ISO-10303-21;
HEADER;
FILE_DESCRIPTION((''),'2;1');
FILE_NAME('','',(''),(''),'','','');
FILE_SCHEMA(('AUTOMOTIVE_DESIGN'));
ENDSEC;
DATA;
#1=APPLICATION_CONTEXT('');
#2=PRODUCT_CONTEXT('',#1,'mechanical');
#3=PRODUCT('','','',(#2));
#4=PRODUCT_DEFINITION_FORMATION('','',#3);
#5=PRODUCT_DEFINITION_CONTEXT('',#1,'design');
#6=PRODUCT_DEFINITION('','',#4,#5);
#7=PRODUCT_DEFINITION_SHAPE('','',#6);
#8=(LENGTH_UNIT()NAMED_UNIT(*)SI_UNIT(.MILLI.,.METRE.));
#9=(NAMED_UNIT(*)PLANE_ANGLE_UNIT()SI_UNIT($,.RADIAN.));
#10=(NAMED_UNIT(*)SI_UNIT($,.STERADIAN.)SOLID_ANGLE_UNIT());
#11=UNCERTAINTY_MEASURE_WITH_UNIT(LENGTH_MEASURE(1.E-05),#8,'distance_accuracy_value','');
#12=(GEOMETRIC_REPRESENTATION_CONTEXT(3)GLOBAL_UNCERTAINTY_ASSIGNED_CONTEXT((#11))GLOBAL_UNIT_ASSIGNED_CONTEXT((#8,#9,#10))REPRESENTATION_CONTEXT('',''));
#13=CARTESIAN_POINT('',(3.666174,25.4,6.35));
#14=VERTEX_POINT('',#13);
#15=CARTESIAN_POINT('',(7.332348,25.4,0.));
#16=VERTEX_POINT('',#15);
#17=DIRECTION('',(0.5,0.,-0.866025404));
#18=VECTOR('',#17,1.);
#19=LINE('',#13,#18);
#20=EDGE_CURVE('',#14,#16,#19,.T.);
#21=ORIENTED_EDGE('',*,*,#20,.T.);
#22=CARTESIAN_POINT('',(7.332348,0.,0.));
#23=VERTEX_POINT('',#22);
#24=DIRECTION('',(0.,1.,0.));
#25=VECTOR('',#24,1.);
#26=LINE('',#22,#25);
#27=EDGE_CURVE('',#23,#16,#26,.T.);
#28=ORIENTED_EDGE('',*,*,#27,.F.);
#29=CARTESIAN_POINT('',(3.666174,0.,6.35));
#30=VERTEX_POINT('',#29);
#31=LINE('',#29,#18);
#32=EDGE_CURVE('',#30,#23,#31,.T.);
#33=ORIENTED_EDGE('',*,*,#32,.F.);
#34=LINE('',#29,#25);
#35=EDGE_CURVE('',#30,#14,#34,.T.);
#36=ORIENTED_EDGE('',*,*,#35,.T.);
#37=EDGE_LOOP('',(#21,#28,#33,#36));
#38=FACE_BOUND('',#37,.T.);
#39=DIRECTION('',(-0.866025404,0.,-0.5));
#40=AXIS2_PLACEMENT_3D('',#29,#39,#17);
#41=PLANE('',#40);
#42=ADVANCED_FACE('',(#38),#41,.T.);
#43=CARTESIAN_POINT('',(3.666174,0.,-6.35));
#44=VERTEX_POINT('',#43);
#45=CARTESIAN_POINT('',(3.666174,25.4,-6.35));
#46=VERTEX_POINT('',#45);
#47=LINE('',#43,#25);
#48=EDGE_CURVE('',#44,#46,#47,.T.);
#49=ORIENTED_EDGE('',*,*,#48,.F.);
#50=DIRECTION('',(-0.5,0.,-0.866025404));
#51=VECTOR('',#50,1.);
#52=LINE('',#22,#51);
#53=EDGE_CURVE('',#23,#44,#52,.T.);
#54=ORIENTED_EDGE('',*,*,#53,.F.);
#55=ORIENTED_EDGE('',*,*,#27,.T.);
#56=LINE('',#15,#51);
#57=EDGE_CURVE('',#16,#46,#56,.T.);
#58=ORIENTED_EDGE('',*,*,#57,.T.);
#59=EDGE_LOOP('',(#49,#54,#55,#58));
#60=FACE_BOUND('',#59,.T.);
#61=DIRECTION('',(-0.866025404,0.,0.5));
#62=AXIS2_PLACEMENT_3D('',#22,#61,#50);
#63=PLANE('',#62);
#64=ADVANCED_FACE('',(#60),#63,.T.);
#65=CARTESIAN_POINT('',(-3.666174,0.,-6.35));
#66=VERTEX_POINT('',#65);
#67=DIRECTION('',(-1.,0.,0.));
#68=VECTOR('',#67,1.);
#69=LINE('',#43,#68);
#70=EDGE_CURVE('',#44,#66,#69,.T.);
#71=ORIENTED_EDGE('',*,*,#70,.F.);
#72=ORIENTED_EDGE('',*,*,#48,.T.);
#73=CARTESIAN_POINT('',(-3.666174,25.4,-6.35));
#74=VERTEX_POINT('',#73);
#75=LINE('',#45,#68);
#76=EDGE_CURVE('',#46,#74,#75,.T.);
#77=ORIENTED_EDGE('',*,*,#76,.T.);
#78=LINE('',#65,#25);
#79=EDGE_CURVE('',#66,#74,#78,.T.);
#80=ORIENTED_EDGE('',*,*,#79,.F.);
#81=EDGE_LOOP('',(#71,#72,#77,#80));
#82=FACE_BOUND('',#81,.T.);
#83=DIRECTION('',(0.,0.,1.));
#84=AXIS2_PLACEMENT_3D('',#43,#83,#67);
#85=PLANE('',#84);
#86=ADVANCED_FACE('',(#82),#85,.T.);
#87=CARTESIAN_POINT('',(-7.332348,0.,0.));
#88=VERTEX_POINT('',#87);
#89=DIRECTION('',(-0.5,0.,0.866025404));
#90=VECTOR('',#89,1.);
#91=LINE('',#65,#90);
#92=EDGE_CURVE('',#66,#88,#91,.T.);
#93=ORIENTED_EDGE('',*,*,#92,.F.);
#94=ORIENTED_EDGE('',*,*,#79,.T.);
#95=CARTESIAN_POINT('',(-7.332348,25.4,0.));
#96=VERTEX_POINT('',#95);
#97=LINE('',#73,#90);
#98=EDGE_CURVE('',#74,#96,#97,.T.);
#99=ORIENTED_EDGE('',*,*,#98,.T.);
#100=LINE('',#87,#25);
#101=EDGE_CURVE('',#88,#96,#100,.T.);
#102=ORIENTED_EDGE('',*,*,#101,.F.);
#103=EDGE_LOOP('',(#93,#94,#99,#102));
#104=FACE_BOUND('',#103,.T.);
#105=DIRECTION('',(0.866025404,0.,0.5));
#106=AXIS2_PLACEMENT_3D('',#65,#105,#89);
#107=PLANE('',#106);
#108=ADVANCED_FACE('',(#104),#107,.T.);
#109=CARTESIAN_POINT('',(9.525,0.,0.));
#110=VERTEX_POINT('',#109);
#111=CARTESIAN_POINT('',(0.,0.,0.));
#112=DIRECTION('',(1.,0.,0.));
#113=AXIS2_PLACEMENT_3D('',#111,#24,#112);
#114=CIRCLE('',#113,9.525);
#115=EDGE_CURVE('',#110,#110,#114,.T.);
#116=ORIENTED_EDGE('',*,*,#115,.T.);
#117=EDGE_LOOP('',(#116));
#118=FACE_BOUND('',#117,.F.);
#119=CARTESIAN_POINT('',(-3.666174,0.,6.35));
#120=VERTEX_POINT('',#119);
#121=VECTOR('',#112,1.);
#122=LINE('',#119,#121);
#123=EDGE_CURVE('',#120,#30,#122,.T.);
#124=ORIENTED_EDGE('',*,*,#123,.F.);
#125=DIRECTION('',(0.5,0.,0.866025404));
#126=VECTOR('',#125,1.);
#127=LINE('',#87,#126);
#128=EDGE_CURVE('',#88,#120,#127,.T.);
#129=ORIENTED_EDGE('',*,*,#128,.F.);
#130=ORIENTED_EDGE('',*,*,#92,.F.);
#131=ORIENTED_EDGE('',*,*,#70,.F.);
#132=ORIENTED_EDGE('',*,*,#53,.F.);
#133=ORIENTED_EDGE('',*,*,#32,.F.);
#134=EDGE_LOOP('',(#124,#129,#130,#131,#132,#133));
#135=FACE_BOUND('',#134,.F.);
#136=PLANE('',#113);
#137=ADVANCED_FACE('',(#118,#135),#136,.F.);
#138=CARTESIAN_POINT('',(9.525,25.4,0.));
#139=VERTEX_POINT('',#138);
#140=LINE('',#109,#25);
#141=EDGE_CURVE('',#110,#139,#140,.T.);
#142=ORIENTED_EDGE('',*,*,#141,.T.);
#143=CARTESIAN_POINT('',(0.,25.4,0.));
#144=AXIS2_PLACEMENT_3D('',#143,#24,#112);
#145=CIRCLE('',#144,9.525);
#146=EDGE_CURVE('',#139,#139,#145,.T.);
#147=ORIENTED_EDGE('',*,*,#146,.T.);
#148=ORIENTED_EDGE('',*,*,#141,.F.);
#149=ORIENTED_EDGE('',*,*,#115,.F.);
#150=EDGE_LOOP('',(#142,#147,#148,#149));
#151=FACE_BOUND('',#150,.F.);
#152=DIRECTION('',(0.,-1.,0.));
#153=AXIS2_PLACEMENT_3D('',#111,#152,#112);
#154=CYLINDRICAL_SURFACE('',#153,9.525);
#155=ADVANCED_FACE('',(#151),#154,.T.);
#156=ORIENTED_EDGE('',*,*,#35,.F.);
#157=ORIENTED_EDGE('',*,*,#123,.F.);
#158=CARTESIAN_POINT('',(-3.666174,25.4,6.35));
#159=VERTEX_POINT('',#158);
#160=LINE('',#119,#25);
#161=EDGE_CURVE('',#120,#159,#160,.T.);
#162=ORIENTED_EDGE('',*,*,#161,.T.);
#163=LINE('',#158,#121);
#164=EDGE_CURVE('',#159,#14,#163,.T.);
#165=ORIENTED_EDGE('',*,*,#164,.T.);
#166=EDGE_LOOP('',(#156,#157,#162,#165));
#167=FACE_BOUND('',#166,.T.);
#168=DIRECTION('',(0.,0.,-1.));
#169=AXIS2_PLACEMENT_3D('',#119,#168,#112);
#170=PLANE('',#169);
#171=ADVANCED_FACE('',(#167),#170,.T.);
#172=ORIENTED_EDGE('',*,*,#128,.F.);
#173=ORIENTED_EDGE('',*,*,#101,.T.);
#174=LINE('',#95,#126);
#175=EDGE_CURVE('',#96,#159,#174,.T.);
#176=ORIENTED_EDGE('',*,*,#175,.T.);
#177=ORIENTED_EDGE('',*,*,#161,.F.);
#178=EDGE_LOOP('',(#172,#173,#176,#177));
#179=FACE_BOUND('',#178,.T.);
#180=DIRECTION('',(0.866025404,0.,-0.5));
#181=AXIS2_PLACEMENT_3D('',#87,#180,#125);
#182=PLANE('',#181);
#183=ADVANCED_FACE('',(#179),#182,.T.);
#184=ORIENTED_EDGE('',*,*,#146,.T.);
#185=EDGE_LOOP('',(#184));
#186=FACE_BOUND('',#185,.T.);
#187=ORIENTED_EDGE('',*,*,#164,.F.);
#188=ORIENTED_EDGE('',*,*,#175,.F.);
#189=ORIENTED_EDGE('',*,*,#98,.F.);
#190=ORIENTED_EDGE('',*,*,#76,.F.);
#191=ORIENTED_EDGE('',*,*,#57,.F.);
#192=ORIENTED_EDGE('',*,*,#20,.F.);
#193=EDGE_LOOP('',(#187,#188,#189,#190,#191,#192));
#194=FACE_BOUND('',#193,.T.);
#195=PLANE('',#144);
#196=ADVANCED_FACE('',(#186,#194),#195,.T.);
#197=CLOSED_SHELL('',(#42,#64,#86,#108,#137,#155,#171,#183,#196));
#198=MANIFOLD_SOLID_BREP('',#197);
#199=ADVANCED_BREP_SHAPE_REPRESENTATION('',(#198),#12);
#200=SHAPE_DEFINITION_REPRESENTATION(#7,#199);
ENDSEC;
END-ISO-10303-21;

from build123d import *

# Parameters (mm, degrees)
SKETCH1_R           = 9.525
BOSS_EXTRUDE1_DEPTH = 25.4


with BuildPart() as part:
    # Sketch1 → Boss-Extrude1 (new body)
    with BuildSketch(Plane(origin=(0, 0, 0), x_dir=(1, 0, 0), z_dir=(0, 1, 0))):
        Circle(SKETCH1_R)
        Polygon((7.332348419, 0), (3.666174209, 6.35), (-3.666174209, 6.35), (-7.332348419, 0), (-3.666174209, -6.35), (3.666174209, -6.35), align=None, mode=Mode.SUBTRACT)
    extrude(amount=BOSS_EXTRUDE1_DEPTH)


solid = part.part
